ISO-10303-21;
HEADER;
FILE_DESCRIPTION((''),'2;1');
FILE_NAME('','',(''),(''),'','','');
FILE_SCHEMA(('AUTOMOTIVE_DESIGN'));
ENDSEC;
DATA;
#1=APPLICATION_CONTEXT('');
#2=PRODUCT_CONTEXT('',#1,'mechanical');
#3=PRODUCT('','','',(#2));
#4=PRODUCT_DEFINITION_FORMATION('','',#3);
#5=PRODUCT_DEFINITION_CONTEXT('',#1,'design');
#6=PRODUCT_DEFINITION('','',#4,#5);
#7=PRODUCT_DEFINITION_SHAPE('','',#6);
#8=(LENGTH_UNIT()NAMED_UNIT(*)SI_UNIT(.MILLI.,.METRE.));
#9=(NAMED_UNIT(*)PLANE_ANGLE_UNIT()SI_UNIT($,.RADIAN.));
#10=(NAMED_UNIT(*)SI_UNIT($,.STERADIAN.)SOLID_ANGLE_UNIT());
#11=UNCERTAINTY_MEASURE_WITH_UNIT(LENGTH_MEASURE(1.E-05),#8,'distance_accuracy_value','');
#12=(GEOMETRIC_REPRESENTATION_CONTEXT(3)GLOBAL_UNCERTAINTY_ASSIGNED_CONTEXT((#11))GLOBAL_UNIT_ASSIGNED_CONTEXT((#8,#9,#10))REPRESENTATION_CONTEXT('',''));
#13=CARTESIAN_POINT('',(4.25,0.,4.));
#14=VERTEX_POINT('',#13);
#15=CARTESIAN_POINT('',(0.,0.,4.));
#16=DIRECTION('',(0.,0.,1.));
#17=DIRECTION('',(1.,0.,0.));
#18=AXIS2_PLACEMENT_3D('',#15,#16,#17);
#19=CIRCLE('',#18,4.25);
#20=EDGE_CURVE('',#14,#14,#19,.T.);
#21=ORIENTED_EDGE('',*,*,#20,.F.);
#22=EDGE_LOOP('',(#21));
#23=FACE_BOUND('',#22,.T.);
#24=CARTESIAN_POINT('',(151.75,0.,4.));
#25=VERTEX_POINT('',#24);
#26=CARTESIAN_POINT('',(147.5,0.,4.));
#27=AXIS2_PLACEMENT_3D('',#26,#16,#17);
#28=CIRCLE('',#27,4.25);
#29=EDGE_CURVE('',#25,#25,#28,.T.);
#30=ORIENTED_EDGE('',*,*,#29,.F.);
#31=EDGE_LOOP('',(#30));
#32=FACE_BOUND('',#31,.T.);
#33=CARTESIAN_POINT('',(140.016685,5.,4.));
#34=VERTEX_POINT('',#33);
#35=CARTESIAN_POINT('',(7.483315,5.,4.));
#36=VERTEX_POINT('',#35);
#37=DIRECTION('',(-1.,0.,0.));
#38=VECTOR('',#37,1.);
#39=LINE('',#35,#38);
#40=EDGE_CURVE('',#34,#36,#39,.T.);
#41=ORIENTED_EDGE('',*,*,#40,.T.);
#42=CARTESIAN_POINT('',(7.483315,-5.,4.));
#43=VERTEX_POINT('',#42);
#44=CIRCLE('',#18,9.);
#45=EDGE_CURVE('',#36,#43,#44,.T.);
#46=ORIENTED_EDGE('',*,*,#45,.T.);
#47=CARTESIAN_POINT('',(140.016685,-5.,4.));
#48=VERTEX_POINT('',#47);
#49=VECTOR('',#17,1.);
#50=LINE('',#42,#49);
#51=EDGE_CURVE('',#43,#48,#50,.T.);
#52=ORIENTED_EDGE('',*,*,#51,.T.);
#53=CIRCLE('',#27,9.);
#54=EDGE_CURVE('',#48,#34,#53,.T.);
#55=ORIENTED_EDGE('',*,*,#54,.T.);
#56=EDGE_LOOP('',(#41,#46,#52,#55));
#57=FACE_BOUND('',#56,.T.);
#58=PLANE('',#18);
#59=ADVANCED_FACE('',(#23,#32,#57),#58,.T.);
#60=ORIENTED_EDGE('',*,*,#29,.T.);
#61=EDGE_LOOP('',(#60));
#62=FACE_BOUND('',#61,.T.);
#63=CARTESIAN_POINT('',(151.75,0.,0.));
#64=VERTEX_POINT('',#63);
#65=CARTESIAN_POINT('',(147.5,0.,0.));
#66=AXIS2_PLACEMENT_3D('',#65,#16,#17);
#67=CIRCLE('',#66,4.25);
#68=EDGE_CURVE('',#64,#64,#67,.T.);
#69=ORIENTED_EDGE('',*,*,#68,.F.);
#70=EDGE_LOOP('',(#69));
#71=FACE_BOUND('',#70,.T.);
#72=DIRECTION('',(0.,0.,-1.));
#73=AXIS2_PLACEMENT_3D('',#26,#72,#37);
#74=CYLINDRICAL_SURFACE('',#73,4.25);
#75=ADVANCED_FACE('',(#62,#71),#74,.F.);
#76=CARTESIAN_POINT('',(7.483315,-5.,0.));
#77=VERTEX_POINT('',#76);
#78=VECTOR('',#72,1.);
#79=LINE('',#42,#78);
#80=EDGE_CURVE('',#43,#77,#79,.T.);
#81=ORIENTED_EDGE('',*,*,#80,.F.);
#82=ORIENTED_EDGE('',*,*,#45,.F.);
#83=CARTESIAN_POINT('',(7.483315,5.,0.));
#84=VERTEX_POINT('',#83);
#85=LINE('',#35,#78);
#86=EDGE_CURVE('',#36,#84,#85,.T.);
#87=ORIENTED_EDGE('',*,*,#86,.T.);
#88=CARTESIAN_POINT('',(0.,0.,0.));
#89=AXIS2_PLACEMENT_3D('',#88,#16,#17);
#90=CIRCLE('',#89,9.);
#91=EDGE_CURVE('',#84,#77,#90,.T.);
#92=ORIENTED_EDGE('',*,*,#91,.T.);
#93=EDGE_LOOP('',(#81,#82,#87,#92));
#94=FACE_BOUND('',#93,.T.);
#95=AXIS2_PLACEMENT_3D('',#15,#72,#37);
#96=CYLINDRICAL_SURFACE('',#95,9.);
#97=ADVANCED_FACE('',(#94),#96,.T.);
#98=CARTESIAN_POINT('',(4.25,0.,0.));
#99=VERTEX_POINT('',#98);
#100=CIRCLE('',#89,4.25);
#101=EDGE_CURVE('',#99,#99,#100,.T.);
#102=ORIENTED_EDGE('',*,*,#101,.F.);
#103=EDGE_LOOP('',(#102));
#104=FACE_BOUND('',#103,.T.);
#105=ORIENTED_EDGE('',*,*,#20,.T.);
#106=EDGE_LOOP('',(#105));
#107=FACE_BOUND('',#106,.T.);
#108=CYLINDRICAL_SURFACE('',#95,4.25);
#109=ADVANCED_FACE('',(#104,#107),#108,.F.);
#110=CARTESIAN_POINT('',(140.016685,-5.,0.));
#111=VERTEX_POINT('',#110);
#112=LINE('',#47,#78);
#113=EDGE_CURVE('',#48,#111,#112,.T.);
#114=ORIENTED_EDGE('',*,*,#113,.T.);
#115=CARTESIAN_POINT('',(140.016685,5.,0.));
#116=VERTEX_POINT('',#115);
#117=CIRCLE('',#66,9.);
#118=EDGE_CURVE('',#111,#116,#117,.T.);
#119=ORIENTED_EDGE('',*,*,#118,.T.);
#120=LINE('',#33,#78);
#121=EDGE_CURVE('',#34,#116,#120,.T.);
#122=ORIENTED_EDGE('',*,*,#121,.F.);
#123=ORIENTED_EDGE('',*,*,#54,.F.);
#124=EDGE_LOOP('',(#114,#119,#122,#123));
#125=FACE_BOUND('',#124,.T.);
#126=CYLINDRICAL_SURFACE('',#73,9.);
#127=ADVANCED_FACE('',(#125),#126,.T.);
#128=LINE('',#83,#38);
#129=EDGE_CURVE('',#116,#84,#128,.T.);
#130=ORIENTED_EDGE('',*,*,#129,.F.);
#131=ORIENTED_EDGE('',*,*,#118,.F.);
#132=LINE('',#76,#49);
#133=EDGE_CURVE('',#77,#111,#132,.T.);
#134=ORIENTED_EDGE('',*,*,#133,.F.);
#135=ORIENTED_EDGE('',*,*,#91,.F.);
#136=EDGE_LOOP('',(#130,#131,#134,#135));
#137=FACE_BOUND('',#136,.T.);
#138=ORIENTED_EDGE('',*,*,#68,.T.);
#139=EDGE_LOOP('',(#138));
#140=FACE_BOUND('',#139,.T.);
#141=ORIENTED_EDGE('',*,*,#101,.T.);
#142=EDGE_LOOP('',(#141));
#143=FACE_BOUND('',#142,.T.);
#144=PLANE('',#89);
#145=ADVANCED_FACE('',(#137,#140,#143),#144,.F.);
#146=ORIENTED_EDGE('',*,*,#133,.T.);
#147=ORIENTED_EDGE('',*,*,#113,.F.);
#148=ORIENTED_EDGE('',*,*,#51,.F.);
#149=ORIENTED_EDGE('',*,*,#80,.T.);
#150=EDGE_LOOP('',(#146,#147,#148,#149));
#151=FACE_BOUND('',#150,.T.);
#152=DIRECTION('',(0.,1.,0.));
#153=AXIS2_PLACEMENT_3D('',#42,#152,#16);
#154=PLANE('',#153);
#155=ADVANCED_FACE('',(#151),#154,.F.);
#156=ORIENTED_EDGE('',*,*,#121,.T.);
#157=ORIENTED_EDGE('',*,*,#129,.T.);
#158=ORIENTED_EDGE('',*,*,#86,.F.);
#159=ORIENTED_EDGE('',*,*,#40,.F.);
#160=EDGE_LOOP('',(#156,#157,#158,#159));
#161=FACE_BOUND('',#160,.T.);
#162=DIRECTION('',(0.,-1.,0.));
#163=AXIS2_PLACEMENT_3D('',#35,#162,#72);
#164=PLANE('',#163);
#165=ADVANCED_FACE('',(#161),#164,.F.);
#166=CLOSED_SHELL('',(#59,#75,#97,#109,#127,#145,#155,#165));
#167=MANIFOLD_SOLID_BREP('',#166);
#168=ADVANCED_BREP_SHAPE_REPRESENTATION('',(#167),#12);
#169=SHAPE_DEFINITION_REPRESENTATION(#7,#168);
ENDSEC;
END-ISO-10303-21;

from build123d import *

# Parameters (mm, degrees)
SKETCH_1_R      = 4.25
EXTRUDE_1_DEPTH = 4


with BuildPart() as part:
    # 草图1 → 凸台-拉伸1 (new body)
    with BuildSketch(Plane.XY):
        with BuildLine():
            Line((7.483314774, 5), (140.016685226, 5))
            ThreePointArc((140.016685226, 5), (156.5, 0), (140.016685226, -5))
            Line((140.016685226, -5), (7.483314774, -5))
            ThreePointArc((7.483314774, -5), (-9, 0), (7.483314774, 5))
        make_face()
        Circle(SKETCH_1_R, mode=Mode.SUBTRACT)
        with Locations((147.5, 0)):
            Circle(SKETCH_1_R, mode=Mode.SUBTRACT)
    extrude(amount=EXTRUDE_1_DEPTH)


solid = part.part
